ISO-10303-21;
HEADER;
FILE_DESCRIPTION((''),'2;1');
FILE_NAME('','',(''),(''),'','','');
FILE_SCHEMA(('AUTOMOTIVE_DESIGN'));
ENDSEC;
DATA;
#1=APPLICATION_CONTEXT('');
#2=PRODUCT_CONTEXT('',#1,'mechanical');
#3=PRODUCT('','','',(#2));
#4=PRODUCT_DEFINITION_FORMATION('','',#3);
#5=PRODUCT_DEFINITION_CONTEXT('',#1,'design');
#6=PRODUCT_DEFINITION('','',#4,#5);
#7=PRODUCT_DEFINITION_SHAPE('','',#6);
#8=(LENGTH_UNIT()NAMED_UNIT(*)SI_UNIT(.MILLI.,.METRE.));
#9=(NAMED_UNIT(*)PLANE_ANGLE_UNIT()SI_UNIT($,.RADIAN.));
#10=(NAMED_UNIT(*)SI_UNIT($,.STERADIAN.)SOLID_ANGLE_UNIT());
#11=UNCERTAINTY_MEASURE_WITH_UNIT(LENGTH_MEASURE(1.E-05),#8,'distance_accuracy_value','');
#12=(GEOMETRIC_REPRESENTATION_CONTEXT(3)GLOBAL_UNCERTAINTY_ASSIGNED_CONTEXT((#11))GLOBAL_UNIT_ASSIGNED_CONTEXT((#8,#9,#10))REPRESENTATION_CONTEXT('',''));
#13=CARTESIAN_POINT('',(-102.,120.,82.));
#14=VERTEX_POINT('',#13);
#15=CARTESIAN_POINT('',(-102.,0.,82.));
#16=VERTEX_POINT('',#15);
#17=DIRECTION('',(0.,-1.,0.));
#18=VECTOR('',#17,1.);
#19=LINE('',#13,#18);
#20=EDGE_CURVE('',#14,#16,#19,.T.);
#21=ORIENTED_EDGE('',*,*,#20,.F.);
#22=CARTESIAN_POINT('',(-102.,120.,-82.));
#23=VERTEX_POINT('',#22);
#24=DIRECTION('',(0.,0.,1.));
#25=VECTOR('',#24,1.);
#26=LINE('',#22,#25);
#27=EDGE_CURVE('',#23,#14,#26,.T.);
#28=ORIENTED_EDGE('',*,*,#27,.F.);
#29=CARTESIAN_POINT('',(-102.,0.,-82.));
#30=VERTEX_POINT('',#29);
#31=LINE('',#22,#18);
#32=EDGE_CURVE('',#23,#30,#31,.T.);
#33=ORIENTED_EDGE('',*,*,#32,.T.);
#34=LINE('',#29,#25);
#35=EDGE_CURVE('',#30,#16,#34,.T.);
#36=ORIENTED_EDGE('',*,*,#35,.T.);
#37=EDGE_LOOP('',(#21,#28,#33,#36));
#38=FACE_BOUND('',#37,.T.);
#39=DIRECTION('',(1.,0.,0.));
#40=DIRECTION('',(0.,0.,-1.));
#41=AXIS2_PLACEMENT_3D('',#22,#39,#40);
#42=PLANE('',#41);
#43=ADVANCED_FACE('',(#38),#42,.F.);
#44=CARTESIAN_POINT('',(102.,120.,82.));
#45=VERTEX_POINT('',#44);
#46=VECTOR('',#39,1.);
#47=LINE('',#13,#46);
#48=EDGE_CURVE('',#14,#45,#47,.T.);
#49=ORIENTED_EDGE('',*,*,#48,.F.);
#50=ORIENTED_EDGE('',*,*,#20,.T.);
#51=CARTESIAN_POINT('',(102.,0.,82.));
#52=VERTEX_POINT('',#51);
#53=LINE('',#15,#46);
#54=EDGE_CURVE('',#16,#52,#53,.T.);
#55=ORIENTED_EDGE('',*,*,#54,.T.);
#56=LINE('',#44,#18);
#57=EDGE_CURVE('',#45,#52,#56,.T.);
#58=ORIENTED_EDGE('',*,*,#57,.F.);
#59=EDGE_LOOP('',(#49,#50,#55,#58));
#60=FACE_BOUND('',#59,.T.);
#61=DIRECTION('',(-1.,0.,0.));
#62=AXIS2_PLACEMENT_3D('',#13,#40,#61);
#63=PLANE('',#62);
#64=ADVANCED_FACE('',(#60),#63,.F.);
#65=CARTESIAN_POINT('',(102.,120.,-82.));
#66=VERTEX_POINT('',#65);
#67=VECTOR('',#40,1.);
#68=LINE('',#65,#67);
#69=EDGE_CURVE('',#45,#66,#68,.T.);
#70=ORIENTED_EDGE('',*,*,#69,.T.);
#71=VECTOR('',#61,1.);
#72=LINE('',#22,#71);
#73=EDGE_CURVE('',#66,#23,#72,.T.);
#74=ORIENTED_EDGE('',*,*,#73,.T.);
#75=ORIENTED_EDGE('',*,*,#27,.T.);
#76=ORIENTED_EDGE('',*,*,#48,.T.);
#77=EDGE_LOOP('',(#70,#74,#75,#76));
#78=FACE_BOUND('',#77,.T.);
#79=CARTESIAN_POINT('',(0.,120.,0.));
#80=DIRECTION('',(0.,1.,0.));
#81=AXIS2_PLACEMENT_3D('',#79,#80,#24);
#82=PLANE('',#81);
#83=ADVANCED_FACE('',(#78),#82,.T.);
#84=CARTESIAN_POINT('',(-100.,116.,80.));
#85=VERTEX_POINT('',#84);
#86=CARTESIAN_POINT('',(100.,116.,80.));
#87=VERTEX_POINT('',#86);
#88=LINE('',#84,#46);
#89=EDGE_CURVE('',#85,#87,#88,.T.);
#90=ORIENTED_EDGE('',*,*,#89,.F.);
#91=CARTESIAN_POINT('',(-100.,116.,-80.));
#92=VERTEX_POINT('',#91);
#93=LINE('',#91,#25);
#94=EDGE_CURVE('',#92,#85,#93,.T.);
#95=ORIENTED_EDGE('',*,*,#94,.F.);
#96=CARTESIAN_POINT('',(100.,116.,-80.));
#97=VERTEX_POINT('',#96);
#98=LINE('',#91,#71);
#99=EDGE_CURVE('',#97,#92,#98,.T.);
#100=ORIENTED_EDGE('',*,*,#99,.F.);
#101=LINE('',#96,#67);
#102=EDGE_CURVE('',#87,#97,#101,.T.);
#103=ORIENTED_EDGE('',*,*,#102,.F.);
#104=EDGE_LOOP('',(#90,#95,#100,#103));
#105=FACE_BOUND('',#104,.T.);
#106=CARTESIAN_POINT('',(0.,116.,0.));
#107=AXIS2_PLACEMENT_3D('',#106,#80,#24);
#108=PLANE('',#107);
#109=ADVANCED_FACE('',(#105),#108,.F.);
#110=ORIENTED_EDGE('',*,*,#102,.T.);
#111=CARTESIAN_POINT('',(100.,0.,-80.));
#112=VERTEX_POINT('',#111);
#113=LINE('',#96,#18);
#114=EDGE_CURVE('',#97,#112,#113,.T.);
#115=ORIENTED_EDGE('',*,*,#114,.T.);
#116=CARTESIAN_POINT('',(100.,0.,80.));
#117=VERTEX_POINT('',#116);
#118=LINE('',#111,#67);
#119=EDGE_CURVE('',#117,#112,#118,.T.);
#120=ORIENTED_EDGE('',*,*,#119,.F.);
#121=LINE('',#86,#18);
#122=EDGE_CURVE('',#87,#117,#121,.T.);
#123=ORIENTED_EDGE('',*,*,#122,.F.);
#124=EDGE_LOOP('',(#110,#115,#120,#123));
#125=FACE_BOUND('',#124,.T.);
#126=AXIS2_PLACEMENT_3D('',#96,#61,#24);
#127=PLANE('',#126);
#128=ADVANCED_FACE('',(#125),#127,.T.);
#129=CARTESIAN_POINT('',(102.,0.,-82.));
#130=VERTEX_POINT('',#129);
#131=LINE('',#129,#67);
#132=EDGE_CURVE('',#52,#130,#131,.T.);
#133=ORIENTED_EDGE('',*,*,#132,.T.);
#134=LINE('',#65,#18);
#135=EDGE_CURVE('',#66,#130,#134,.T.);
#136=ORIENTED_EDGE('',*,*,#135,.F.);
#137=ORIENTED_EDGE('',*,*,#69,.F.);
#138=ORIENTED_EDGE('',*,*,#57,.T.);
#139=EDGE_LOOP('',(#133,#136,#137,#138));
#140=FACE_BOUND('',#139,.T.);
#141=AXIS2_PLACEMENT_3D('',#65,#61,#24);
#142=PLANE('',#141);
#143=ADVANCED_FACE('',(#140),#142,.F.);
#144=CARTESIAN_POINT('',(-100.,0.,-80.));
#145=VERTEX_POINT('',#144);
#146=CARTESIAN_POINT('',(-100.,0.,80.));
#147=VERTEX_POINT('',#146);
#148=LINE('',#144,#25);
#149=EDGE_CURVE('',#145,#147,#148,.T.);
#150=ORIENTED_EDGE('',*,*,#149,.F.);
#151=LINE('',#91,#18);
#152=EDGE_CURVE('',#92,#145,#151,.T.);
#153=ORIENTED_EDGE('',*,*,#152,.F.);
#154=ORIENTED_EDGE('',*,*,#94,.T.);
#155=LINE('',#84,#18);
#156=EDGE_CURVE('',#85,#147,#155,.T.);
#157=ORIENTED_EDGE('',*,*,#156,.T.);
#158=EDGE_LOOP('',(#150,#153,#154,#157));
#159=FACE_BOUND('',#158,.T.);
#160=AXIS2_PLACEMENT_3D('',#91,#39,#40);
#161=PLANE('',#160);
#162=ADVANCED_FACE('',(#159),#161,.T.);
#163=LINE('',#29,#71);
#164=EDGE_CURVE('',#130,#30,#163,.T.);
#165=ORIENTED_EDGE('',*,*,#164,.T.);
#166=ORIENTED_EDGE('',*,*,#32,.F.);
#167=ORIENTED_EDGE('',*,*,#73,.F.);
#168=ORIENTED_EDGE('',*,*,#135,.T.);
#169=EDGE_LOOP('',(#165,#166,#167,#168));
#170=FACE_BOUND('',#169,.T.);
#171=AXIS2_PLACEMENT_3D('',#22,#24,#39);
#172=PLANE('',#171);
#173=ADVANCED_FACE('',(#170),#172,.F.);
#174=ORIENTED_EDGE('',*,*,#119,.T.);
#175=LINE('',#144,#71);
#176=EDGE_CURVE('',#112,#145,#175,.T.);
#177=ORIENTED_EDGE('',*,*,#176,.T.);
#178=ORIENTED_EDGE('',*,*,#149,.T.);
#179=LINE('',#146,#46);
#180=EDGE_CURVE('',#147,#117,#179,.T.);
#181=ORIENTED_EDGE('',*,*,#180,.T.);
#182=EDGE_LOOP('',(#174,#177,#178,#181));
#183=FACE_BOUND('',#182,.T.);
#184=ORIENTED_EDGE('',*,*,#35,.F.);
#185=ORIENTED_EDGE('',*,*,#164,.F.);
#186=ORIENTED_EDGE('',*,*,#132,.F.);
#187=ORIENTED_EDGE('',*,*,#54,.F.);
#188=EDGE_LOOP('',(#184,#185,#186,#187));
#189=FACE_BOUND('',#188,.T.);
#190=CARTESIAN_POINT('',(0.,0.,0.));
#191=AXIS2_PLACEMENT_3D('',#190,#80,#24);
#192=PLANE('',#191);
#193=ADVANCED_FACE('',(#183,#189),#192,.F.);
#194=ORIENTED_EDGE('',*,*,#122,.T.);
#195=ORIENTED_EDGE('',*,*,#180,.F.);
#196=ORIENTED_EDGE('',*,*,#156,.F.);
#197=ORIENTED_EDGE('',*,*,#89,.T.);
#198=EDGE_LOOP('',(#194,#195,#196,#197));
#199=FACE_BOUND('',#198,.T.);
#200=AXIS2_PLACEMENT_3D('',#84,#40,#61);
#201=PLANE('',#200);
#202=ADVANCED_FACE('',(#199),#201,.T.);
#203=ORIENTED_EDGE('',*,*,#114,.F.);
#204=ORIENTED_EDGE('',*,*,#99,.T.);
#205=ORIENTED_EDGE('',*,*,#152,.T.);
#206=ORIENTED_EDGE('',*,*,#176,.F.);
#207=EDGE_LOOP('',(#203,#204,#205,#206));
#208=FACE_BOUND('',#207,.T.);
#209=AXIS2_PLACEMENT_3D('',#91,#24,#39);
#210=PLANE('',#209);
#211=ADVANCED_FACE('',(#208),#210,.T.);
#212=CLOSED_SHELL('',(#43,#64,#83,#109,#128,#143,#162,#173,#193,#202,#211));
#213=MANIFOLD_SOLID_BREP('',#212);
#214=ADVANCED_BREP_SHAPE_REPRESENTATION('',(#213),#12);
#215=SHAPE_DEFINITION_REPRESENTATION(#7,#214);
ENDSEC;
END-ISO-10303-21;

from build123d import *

# Parameters (mm, degrees)
SKETCH4_W           = 204
SKETCH4_H           = 164
BOSS_EXTRUDE3_DEPTH = 120
SKETCH5_W           = 200
SKETCH5_H           = 160
CUT_EXTRUDE2_DEPTH  = 116


with BuildPart() as part:
    # Sketch4 → Boss-Extrude3 (new body)
    with BuildSketch(Plane(origin=(0, 0, 0), x_dir=(1, 0, 0), z_dir=(0, 1, 0))):
        Rectangle(SKETCH4_W, SKETCH4_H)
    extrude(amount=BOSS_EXTRUDE3_DEPTH)

    # Sketch5 → Cut-Extrude2 (cut)
    with BuildSketch(Plane(origin=(0, 0, 0), x_dir=(1, 0, 0), z_dir=(0, 1, 0))):
        Rectangle(SKETCH5_W, SKETCH5_H)
    extrude(amount=CUT_EXTRUDE2_DEPTH, mode=Mode.SUBTRACT)


solid = part.part
